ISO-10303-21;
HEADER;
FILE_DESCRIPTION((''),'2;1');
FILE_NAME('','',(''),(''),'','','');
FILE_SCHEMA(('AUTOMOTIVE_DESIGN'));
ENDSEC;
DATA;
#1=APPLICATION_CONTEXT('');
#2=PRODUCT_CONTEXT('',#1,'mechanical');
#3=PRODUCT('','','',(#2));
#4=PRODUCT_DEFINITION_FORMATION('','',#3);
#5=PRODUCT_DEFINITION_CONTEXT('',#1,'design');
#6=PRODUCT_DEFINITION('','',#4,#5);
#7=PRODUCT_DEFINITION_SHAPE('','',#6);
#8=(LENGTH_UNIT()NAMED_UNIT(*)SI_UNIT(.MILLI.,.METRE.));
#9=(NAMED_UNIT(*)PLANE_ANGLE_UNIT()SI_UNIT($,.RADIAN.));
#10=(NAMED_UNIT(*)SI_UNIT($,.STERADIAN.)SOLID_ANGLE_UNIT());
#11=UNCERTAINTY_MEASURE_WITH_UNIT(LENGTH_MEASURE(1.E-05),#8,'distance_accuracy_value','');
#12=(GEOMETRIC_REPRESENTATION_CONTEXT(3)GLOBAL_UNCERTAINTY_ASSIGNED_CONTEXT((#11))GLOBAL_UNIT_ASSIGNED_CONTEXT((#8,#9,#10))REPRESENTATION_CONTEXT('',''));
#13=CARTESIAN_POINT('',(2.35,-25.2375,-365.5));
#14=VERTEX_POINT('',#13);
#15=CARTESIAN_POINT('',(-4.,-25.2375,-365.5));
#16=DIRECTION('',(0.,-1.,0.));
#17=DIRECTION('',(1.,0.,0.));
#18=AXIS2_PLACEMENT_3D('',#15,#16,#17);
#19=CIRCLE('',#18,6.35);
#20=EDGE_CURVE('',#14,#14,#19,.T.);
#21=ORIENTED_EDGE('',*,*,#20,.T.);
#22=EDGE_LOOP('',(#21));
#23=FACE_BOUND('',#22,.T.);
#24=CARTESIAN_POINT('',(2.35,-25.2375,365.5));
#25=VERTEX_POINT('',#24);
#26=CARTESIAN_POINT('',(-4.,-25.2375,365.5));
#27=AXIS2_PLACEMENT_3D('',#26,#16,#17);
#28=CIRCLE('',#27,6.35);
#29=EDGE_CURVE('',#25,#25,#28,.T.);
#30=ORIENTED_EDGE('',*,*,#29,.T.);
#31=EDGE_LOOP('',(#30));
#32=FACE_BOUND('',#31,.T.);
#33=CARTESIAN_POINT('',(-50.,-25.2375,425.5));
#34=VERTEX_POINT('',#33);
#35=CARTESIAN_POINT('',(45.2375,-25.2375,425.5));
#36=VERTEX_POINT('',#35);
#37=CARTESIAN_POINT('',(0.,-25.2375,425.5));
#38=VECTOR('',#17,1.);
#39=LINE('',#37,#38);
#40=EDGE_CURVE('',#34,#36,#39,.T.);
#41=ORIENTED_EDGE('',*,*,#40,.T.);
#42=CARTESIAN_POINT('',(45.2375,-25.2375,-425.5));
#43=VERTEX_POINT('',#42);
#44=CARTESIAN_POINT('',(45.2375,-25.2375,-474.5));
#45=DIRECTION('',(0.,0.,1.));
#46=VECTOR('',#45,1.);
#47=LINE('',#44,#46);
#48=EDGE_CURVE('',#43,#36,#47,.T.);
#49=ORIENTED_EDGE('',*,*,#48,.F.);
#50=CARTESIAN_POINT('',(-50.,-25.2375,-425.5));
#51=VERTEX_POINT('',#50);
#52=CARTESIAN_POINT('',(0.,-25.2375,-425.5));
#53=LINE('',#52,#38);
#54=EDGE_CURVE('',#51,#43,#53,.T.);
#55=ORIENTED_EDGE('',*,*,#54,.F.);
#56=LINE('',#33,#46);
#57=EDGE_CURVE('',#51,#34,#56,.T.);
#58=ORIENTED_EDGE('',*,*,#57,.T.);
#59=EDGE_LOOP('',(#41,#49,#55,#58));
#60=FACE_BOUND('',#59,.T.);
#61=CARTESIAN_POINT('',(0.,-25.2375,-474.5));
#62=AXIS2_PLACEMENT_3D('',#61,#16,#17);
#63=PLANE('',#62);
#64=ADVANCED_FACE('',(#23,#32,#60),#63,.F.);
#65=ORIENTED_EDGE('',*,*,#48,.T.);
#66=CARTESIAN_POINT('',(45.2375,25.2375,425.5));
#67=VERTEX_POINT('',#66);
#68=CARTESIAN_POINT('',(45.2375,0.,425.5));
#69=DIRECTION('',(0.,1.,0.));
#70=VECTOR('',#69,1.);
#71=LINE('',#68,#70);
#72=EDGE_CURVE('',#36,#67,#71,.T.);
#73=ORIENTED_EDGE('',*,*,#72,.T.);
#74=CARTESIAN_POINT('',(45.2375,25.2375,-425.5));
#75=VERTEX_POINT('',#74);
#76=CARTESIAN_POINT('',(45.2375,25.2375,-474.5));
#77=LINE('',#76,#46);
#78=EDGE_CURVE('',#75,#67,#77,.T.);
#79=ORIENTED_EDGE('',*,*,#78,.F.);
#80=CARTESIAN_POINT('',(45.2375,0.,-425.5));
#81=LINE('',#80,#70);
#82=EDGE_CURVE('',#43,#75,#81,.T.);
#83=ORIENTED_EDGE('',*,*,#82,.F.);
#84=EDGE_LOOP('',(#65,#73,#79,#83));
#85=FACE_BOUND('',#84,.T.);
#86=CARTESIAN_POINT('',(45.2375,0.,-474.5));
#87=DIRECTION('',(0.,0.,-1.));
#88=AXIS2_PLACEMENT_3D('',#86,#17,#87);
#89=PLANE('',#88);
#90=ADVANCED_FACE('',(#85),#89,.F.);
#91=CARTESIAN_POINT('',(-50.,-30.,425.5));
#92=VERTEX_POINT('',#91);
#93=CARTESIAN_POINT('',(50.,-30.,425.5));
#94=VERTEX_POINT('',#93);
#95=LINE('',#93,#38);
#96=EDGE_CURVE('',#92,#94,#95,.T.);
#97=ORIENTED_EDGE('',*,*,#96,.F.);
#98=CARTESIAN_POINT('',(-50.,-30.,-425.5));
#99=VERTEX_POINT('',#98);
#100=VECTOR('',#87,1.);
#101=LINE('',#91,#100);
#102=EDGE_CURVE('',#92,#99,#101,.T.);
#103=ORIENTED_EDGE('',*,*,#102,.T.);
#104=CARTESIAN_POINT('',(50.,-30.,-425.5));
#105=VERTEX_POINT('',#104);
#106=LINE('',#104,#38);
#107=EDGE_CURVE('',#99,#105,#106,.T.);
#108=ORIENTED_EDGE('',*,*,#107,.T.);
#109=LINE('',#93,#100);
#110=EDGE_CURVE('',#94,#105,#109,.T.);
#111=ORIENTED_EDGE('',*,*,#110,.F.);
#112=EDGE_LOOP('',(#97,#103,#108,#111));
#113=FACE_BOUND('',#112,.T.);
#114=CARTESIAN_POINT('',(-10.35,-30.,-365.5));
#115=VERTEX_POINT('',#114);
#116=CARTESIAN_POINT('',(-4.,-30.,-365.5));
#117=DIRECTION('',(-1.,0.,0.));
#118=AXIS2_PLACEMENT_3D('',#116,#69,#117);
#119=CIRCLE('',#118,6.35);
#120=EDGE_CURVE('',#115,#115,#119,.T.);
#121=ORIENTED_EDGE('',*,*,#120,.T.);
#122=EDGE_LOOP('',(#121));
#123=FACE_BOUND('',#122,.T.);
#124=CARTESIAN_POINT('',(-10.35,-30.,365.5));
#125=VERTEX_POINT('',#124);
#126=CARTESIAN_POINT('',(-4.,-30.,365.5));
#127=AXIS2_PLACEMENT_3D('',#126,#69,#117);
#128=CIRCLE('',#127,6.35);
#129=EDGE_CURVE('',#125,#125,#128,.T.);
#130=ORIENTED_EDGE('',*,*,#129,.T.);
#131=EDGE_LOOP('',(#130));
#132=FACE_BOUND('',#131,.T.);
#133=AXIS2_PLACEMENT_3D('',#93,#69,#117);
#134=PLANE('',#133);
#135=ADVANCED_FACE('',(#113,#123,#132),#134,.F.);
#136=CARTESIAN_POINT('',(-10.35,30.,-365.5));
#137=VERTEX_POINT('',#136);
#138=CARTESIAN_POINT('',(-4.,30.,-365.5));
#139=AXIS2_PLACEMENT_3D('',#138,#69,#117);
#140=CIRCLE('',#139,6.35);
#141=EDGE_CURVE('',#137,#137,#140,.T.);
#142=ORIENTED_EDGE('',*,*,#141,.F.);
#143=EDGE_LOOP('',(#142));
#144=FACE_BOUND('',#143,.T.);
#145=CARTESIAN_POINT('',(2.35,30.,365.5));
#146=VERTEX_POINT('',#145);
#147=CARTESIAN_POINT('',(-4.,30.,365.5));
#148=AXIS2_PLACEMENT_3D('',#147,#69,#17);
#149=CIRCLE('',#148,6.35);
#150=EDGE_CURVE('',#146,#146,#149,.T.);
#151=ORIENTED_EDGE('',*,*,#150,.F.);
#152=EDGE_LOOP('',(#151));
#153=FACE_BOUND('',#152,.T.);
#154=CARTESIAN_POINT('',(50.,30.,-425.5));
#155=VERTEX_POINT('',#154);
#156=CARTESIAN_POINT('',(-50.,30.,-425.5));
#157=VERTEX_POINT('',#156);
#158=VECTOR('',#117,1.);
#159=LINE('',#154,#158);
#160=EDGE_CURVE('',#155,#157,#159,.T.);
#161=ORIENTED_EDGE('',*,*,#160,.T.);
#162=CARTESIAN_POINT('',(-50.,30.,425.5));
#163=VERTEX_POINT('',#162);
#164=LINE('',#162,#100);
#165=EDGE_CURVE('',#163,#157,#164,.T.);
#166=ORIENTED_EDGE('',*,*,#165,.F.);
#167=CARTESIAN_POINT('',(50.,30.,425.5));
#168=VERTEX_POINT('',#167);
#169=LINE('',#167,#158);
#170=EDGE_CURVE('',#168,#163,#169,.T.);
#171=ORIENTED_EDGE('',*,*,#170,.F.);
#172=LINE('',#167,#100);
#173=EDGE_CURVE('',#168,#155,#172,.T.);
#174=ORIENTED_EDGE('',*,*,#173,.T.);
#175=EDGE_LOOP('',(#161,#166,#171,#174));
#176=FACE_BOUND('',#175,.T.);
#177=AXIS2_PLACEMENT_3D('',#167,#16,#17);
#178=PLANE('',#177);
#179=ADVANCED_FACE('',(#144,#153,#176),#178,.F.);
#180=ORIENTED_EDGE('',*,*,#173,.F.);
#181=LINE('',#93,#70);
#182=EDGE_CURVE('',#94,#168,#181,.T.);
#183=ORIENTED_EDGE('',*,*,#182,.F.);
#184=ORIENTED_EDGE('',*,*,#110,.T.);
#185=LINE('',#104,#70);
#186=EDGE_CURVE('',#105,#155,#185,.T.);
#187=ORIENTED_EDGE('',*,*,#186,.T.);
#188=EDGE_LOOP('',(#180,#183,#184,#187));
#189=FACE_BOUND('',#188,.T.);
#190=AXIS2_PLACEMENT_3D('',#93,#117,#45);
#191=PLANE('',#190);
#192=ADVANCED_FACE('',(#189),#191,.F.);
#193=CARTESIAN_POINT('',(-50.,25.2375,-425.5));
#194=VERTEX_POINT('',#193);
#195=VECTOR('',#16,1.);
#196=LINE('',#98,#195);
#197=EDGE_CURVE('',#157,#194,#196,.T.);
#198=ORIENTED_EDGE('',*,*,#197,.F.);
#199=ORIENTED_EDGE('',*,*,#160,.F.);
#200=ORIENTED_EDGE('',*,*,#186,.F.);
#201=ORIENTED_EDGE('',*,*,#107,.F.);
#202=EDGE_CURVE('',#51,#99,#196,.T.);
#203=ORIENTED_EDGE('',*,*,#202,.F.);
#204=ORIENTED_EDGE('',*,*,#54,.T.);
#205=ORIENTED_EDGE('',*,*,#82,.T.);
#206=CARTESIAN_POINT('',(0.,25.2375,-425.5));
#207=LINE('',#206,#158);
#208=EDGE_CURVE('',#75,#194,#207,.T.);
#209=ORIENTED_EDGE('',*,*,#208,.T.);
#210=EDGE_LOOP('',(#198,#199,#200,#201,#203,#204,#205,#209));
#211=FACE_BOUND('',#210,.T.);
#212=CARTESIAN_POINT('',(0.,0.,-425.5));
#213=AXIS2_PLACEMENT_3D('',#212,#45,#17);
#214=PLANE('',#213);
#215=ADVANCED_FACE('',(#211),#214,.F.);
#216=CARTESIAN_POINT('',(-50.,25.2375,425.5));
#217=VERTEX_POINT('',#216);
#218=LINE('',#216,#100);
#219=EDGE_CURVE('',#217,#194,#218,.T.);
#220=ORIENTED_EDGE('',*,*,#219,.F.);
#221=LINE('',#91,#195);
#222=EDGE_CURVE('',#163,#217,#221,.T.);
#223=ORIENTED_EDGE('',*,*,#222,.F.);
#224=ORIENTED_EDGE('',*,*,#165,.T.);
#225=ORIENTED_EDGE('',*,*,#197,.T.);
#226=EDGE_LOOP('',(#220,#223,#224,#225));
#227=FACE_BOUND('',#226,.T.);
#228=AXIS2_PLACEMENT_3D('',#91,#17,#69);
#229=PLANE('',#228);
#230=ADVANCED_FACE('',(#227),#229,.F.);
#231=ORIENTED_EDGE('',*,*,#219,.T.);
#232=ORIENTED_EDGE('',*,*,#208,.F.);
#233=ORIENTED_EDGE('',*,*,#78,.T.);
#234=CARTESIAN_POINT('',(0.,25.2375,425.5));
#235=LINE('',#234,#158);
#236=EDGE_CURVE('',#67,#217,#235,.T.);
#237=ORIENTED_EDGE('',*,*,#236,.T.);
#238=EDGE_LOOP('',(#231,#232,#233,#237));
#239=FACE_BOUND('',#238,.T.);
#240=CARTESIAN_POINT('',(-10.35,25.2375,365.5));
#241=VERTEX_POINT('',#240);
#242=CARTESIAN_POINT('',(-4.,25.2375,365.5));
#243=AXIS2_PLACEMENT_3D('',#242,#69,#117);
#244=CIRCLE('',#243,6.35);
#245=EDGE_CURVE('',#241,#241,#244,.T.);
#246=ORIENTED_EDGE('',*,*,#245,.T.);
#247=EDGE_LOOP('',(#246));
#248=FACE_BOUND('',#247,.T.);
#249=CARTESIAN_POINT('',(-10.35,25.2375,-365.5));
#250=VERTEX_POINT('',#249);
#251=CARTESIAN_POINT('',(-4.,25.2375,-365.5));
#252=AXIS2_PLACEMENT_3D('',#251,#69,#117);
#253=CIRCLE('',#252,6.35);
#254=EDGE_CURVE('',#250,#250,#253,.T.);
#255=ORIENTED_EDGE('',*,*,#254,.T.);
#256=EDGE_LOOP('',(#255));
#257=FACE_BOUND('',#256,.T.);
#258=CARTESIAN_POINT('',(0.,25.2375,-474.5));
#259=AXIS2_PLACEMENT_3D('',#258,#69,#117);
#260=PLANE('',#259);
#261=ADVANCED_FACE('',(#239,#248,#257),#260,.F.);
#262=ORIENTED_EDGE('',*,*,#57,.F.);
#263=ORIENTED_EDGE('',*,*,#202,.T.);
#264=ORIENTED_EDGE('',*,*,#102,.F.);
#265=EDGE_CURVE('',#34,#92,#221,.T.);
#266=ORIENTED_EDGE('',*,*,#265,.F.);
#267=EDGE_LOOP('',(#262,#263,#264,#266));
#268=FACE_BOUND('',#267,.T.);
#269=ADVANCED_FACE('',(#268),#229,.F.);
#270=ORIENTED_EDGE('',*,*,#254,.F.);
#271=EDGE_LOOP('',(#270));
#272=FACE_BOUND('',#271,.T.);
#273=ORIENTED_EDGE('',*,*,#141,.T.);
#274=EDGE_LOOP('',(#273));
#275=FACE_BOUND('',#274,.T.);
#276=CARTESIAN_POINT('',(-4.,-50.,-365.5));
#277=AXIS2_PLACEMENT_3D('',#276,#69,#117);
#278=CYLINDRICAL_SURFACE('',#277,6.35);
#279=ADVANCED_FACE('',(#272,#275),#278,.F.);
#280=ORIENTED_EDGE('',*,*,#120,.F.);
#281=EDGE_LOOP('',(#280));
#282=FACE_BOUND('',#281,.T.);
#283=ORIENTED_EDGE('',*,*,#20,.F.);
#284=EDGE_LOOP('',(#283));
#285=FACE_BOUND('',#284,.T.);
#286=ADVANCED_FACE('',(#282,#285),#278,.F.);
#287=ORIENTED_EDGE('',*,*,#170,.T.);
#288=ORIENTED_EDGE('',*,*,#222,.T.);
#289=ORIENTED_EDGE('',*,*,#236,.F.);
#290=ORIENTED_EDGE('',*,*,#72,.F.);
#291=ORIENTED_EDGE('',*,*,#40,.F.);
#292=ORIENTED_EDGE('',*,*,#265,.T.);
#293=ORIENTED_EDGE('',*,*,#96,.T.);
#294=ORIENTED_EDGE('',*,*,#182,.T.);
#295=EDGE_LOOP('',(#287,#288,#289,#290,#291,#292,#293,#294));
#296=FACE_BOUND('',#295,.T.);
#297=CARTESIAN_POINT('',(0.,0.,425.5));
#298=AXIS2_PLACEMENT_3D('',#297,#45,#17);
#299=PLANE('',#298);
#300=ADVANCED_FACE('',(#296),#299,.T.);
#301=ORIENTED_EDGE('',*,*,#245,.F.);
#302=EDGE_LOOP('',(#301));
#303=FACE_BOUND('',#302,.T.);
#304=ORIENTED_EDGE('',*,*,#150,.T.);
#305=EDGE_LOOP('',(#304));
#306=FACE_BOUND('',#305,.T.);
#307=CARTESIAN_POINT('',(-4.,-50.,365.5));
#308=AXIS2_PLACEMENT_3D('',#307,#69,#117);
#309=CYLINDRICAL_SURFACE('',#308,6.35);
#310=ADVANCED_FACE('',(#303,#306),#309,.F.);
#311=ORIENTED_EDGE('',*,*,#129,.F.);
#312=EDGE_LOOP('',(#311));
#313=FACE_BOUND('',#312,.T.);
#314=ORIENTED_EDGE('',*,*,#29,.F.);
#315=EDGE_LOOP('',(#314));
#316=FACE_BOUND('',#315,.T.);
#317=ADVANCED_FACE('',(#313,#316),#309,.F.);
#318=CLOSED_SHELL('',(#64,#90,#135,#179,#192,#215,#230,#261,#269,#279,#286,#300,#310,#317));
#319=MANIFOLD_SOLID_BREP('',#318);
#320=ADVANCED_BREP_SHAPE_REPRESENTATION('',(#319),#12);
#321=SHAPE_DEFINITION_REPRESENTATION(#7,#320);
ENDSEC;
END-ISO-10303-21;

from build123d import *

# Parameters (mm, degrees)
CROQUIS2_W              = 100
CROQUIS2_H              = 60
SALIENTE_EXTRUIR1_DEPTH = 425.5
CROQUIS6_W              = 90.475
CROQUIS6_H              = 50.475
CORTAR_EXTRUIR1_DEPTH   = 900
CROQUIS7_W              = 851
CROQUIS7_H              = 50.475
CORTAR_EXTRUIR2_DEPTH   = 20
CROQUIS8_R              = 6.35
CORTAR_EXTRUIR3_DEPTH   = 80


with BuildPart() as part:
    # Croquis2 → Saliente-Extruir1 (new, symmetric)
    with BuildSketch(Plane.XY):
        Rectangle(CROQUIS2_W, CROQUIS2_H)
    extrude(amount=SALIENTE_EXTRUIR1_DEPTH, both=True)

    # Croquis6 → Cortar-Extruir1 (cut)
    with BuildSketch(Plane.XY.offset(425.5)):
        Rectangle(CROQUIS6_W, CROQUIS6_H)
    extrude(amount=-CORTAR_EXTRUIR1_DEPTH, mode=Mode.SUBTRACT)

    # Croquis7 → Cortar-Extruir2 (cut)
    with BuildSketch(Plane.ZY.offset(50)):
        Rectangle(CROQUIS7_W, CROQUIS7_H)
    extrude(amount=-CORTAR_EXTRUIR2_DEPTH, mode=Mode.SUBTRACT)

    # Croquis8 → Cortar-Extruir3 (cut)
    with BuildSketch(Plane(origin=(0, 30, 0), x_dir=(1, 0, 0), z_dir=(0, 1, 0))):
        with Locations(Location((-4, 365.5, 0), (0, 0, 180))):
            Circle(CROQUIS8_R)
        with Locations(Location((-4, -365.5, 0), (0, 0, 180))):
            Circle(CROQUIS8_R)
    extrude(amount=-CORTAR_EXTRUIR3_DEPTH, mode=Mode.SUBTRACT)


solid = part.part
